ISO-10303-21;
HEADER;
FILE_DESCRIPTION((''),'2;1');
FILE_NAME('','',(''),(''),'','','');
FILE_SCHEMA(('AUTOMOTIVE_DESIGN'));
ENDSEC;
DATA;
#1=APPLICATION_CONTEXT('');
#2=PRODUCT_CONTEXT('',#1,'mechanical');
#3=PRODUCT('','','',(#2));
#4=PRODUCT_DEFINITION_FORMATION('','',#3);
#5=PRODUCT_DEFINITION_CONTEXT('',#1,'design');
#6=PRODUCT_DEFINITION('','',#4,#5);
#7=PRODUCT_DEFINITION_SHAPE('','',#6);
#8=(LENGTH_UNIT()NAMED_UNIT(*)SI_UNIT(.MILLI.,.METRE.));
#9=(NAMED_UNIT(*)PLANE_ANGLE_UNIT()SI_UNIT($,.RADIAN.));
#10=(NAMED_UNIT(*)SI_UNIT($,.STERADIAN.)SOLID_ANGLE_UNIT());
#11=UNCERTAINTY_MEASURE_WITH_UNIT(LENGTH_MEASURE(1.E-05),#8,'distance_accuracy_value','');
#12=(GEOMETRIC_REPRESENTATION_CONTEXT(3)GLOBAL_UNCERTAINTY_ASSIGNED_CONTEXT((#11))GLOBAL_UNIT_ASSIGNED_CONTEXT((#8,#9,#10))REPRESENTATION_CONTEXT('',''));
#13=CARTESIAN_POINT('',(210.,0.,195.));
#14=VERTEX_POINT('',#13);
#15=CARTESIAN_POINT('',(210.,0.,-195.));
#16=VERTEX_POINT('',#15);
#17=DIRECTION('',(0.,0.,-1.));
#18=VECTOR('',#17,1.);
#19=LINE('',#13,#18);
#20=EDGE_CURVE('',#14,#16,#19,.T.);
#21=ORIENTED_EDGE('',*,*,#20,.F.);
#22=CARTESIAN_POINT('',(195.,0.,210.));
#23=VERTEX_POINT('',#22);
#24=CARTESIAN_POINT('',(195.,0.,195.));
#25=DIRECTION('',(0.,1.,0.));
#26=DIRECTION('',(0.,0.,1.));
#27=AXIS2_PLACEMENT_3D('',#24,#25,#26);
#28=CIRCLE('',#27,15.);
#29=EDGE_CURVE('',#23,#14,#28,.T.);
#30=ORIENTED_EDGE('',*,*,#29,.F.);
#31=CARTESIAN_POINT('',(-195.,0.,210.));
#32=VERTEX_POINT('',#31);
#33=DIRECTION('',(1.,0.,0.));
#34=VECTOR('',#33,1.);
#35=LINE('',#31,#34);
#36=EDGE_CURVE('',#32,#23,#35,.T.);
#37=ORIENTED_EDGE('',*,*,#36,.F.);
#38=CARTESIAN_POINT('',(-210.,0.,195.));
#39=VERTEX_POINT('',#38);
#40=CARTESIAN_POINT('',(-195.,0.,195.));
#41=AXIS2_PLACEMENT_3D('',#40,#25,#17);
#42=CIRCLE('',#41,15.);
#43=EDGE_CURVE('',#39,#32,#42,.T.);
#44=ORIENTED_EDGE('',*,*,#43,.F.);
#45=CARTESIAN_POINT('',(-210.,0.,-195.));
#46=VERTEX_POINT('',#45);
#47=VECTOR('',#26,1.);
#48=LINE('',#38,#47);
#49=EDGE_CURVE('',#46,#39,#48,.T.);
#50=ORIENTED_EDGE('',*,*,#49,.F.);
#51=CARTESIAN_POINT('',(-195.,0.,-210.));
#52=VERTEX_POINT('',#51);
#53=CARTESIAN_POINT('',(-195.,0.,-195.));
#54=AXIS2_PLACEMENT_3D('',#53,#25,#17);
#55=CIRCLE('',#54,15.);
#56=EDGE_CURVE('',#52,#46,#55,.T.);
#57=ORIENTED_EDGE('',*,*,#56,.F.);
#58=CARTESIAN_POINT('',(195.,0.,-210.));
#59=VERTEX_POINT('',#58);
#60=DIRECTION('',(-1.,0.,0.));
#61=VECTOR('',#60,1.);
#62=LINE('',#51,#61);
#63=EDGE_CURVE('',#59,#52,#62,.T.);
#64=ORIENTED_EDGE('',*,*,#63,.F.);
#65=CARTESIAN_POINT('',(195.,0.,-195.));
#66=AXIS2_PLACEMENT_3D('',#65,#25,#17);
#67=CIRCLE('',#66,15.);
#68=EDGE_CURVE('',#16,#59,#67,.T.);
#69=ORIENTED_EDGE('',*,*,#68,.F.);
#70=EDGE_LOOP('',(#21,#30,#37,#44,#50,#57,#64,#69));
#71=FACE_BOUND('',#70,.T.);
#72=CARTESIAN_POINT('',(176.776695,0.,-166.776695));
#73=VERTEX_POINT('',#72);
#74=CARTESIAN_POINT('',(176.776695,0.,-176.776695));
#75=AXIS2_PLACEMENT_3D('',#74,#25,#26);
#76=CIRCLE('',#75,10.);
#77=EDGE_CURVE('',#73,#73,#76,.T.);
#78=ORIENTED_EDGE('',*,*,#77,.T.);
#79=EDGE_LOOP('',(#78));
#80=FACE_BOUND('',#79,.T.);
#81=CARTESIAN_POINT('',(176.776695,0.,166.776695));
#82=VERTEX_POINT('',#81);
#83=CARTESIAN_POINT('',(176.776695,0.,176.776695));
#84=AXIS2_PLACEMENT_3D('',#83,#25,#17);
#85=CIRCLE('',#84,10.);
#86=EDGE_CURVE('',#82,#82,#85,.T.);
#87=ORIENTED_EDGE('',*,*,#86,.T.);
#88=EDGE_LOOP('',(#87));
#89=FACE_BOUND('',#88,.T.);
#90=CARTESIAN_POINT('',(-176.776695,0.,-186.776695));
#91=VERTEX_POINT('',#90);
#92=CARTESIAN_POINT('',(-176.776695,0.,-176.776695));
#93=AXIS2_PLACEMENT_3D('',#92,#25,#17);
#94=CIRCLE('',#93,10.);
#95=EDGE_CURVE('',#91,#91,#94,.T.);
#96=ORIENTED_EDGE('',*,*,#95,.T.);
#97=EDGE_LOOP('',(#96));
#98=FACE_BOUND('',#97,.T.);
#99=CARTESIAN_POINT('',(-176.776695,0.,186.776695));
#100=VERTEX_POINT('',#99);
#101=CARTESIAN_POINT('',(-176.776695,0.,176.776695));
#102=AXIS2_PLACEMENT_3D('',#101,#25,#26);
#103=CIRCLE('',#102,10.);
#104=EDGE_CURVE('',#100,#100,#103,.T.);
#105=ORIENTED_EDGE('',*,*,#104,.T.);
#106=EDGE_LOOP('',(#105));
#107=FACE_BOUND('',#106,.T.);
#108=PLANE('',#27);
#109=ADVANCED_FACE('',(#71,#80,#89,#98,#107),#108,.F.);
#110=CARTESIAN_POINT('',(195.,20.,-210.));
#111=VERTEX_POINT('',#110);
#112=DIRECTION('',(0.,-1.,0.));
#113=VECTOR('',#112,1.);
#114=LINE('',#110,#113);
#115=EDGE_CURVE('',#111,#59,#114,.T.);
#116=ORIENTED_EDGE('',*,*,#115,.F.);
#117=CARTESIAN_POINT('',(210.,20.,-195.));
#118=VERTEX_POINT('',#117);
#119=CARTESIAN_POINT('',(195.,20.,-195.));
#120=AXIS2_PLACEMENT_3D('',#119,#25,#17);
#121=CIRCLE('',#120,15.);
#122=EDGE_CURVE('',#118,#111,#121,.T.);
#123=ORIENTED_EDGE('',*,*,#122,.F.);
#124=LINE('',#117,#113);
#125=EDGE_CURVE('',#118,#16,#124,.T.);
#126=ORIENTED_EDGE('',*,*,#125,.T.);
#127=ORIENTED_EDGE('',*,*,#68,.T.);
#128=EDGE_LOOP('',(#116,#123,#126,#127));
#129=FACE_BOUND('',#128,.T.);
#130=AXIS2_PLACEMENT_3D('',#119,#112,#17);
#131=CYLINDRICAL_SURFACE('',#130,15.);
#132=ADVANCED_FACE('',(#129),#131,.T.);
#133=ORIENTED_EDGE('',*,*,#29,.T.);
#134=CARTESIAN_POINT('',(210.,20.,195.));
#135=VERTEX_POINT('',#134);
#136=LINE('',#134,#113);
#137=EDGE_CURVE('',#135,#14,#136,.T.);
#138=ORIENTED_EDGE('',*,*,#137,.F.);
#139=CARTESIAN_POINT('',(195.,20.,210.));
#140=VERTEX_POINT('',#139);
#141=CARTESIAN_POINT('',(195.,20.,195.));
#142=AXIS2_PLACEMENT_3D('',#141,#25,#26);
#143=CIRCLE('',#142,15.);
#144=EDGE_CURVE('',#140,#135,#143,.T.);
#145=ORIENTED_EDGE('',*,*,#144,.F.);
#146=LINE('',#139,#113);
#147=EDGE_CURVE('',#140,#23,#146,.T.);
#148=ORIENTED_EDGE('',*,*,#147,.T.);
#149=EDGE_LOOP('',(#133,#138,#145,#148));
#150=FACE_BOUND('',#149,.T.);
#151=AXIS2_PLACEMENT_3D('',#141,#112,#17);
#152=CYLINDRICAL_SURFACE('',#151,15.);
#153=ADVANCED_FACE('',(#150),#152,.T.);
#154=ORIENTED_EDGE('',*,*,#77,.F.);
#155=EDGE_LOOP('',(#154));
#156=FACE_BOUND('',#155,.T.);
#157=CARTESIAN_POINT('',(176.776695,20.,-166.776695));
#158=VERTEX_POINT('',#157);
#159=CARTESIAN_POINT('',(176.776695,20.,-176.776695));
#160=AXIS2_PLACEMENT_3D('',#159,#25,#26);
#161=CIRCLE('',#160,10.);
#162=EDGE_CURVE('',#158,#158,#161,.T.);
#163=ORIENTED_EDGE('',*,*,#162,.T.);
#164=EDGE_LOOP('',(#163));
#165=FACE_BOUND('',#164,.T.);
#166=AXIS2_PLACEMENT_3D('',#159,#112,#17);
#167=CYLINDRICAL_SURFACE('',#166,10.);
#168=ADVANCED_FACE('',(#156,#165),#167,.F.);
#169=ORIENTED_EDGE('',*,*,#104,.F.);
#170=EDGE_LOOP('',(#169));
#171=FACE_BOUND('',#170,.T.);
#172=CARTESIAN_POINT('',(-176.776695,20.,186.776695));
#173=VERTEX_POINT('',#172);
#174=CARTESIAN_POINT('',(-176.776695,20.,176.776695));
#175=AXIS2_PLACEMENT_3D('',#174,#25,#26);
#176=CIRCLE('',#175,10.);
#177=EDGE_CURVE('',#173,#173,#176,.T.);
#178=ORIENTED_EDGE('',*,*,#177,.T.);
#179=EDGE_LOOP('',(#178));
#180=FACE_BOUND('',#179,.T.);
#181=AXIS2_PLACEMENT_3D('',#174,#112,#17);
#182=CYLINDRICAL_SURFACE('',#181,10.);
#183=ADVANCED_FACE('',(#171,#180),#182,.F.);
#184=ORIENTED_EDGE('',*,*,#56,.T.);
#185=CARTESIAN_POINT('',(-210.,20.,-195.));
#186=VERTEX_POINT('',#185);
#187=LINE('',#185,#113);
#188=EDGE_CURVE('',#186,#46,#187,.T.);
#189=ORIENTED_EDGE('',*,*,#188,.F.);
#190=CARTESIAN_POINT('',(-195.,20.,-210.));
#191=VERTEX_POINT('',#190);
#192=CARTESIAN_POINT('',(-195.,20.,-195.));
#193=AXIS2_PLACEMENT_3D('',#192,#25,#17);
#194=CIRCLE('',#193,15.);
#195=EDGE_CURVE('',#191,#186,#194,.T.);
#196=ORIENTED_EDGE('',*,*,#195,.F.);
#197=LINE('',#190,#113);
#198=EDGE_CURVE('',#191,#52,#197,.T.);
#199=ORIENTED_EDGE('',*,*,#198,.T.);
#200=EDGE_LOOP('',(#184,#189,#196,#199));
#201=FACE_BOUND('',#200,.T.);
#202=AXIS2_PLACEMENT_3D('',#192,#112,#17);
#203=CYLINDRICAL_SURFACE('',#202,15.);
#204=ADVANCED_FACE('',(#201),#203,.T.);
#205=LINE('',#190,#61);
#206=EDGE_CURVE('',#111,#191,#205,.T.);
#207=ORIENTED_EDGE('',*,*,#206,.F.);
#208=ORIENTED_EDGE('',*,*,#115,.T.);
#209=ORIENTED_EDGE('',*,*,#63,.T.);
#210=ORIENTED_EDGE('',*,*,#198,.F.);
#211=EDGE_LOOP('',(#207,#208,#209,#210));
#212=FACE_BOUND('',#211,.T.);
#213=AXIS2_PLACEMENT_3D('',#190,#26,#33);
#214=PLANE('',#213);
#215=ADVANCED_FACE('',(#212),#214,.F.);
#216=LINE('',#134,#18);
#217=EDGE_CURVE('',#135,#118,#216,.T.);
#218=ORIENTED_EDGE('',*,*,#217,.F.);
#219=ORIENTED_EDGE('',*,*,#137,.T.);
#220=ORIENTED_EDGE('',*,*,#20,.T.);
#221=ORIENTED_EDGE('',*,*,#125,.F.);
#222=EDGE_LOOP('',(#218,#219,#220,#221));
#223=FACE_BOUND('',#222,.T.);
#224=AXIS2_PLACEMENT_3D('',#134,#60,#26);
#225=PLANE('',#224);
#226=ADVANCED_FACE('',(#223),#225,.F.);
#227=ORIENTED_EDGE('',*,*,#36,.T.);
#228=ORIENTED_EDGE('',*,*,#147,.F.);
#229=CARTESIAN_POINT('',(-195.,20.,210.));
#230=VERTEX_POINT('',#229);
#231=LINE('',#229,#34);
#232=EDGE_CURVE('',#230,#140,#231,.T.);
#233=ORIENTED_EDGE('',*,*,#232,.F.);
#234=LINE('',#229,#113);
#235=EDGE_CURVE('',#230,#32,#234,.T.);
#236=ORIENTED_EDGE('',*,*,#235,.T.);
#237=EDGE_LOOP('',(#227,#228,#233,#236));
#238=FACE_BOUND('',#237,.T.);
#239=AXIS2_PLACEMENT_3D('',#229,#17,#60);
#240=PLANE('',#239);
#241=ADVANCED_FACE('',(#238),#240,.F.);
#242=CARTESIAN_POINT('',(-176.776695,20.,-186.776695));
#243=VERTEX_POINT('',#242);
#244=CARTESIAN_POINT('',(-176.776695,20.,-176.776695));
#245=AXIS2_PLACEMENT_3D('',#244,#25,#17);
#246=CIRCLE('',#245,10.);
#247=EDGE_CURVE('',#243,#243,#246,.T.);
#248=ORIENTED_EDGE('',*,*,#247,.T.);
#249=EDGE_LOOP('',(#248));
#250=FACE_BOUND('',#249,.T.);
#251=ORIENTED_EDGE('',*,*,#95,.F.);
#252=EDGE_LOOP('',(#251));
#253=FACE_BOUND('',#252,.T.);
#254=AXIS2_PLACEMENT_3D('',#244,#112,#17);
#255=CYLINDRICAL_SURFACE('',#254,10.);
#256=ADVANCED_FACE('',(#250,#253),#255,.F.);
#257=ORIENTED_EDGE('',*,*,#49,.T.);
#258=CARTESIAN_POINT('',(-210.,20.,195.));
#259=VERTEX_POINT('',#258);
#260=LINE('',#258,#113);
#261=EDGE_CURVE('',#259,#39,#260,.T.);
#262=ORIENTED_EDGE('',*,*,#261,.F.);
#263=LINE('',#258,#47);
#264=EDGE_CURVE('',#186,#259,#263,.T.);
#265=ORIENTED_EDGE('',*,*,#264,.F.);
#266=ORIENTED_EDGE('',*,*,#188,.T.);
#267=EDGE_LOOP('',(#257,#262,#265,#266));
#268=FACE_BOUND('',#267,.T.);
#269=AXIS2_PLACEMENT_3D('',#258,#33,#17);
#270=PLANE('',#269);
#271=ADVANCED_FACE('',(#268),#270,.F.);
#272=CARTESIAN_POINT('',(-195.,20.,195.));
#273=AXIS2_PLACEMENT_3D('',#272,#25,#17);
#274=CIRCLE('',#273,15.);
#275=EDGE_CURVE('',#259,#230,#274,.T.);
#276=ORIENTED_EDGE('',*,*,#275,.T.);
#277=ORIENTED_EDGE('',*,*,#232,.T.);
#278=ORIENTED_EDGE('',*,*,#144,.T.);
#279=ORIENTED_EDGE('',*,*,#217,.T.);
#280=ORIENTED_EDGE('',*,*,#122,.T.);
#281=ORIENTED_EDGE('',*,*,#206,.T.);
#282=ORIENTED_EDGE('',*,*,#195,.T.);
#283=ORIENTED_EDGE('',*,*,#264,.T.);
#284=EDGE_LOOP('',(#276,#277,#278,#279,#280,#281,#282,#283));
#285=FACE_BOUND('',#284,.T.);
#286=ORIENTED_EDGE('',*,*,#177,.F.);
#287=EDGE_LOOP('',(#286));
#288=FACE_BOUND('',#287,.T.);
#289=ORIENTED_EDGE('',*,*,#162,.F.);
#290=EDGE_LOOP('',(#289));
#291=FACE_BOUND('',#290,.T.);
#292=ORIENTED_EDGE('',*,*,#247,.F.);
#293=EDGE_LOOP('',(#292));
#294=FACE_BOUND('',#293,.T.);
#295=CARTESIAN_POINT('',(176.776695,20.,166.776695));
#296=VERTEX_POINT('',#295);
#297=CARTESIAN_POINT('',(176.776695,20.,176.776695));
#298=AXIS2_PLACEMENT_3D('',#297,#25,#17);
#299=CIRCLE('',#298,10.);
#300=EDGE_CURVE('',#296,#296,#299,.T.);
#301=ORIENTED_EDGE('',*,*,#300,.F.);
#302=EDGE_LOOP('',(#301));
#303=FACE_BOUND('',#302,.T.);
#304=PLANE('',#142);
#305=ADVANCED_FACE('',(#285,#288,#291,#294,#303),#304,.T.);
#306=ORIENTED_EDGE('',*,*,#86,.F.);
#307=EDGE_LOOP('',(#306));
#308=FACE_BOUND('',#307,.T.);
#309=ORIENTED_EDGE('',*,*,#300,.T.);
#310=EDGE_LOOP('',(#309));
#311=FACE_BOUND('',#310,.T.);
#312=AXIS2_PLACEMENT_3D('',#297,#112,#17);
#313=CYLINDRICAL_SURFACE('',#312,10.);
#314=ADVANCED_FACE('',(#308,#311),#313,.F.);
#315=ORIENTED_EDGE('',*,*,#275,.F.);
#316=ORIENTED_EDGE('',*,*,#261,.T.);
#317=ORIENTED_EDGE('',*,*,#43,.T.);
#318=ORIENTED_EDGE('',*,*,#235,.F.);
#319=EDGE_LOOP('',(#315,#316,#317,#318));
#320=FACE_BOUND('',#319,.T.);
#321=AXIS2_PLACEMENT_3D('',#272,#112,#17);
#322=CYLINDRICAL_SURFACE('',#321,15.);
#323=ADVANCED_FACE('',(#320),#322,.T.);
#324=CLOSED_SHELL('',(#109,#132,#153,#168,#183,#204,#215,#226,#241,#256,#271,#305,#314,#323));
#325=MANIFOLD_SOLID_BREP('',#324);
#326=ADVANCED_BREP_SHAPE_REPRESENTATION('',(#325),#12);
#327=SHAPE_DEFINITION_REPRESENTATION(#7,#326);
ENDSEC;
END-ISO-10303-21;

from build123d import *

# Parameters (mm, degrees)
SKETCH1_R           = 10
BOSS_EXTRUDE1_DEPTH = 20


with BuildPart() as part:
    # Sketch1 → Boss-Extrude1 (new body)
    with BuildSketch(Plane(origin=(0, 0, 0), x_dir=(1, 0, 0), z_dir=(0, 1, 0))):
        with BuildLine():
            Line((-195, -210), (195, -210))
            ThreePointArc((195, -210), (205.606601718, -205.606601718), (210, -195))
            Line((210, -195), (210, 195))
            ThreePointArc((210, 195), (205.606601718, 205.606601718), (195, 210))
            Line((195, 210), (-195, 210))
            ThreePointArc((-195, 210), (-205.606601718, 205.606601718), (-210, 195))
            Line((-210, 195), (-210, -195))
            ThreePointArc((-210, -195), (-205.606601718, -205.606601718), (-195, -210))
        make_face()
        with Locations(Location((176.776695297, 176.776695297, 0), (0, 0, 270))):
            Circle(SKETCH1_R, mode=Mode.SUBTRACT)
        with Locations(Location((176.776695297, -176.776695297, 0), (0, 0, 90))):
            Circle(SKETCH1_R, mode=Mode.SUBTRACT)
        with Locations(Location((-176.776695297, -176.776695297, 0), (0, 0, 270))):
            Circle(SKETCH1_R, mode=Mode.SUBTRACT)
        with Locations(Location((-176.776695297, 176.776695297, 0), (0, 0, 90))):
            Circle(SKETCH1_R, mode=Mode.SUBTRACT)
    extrude(amount=BOSS_EXTRUDE1_DEPTH)


solid = part.part
